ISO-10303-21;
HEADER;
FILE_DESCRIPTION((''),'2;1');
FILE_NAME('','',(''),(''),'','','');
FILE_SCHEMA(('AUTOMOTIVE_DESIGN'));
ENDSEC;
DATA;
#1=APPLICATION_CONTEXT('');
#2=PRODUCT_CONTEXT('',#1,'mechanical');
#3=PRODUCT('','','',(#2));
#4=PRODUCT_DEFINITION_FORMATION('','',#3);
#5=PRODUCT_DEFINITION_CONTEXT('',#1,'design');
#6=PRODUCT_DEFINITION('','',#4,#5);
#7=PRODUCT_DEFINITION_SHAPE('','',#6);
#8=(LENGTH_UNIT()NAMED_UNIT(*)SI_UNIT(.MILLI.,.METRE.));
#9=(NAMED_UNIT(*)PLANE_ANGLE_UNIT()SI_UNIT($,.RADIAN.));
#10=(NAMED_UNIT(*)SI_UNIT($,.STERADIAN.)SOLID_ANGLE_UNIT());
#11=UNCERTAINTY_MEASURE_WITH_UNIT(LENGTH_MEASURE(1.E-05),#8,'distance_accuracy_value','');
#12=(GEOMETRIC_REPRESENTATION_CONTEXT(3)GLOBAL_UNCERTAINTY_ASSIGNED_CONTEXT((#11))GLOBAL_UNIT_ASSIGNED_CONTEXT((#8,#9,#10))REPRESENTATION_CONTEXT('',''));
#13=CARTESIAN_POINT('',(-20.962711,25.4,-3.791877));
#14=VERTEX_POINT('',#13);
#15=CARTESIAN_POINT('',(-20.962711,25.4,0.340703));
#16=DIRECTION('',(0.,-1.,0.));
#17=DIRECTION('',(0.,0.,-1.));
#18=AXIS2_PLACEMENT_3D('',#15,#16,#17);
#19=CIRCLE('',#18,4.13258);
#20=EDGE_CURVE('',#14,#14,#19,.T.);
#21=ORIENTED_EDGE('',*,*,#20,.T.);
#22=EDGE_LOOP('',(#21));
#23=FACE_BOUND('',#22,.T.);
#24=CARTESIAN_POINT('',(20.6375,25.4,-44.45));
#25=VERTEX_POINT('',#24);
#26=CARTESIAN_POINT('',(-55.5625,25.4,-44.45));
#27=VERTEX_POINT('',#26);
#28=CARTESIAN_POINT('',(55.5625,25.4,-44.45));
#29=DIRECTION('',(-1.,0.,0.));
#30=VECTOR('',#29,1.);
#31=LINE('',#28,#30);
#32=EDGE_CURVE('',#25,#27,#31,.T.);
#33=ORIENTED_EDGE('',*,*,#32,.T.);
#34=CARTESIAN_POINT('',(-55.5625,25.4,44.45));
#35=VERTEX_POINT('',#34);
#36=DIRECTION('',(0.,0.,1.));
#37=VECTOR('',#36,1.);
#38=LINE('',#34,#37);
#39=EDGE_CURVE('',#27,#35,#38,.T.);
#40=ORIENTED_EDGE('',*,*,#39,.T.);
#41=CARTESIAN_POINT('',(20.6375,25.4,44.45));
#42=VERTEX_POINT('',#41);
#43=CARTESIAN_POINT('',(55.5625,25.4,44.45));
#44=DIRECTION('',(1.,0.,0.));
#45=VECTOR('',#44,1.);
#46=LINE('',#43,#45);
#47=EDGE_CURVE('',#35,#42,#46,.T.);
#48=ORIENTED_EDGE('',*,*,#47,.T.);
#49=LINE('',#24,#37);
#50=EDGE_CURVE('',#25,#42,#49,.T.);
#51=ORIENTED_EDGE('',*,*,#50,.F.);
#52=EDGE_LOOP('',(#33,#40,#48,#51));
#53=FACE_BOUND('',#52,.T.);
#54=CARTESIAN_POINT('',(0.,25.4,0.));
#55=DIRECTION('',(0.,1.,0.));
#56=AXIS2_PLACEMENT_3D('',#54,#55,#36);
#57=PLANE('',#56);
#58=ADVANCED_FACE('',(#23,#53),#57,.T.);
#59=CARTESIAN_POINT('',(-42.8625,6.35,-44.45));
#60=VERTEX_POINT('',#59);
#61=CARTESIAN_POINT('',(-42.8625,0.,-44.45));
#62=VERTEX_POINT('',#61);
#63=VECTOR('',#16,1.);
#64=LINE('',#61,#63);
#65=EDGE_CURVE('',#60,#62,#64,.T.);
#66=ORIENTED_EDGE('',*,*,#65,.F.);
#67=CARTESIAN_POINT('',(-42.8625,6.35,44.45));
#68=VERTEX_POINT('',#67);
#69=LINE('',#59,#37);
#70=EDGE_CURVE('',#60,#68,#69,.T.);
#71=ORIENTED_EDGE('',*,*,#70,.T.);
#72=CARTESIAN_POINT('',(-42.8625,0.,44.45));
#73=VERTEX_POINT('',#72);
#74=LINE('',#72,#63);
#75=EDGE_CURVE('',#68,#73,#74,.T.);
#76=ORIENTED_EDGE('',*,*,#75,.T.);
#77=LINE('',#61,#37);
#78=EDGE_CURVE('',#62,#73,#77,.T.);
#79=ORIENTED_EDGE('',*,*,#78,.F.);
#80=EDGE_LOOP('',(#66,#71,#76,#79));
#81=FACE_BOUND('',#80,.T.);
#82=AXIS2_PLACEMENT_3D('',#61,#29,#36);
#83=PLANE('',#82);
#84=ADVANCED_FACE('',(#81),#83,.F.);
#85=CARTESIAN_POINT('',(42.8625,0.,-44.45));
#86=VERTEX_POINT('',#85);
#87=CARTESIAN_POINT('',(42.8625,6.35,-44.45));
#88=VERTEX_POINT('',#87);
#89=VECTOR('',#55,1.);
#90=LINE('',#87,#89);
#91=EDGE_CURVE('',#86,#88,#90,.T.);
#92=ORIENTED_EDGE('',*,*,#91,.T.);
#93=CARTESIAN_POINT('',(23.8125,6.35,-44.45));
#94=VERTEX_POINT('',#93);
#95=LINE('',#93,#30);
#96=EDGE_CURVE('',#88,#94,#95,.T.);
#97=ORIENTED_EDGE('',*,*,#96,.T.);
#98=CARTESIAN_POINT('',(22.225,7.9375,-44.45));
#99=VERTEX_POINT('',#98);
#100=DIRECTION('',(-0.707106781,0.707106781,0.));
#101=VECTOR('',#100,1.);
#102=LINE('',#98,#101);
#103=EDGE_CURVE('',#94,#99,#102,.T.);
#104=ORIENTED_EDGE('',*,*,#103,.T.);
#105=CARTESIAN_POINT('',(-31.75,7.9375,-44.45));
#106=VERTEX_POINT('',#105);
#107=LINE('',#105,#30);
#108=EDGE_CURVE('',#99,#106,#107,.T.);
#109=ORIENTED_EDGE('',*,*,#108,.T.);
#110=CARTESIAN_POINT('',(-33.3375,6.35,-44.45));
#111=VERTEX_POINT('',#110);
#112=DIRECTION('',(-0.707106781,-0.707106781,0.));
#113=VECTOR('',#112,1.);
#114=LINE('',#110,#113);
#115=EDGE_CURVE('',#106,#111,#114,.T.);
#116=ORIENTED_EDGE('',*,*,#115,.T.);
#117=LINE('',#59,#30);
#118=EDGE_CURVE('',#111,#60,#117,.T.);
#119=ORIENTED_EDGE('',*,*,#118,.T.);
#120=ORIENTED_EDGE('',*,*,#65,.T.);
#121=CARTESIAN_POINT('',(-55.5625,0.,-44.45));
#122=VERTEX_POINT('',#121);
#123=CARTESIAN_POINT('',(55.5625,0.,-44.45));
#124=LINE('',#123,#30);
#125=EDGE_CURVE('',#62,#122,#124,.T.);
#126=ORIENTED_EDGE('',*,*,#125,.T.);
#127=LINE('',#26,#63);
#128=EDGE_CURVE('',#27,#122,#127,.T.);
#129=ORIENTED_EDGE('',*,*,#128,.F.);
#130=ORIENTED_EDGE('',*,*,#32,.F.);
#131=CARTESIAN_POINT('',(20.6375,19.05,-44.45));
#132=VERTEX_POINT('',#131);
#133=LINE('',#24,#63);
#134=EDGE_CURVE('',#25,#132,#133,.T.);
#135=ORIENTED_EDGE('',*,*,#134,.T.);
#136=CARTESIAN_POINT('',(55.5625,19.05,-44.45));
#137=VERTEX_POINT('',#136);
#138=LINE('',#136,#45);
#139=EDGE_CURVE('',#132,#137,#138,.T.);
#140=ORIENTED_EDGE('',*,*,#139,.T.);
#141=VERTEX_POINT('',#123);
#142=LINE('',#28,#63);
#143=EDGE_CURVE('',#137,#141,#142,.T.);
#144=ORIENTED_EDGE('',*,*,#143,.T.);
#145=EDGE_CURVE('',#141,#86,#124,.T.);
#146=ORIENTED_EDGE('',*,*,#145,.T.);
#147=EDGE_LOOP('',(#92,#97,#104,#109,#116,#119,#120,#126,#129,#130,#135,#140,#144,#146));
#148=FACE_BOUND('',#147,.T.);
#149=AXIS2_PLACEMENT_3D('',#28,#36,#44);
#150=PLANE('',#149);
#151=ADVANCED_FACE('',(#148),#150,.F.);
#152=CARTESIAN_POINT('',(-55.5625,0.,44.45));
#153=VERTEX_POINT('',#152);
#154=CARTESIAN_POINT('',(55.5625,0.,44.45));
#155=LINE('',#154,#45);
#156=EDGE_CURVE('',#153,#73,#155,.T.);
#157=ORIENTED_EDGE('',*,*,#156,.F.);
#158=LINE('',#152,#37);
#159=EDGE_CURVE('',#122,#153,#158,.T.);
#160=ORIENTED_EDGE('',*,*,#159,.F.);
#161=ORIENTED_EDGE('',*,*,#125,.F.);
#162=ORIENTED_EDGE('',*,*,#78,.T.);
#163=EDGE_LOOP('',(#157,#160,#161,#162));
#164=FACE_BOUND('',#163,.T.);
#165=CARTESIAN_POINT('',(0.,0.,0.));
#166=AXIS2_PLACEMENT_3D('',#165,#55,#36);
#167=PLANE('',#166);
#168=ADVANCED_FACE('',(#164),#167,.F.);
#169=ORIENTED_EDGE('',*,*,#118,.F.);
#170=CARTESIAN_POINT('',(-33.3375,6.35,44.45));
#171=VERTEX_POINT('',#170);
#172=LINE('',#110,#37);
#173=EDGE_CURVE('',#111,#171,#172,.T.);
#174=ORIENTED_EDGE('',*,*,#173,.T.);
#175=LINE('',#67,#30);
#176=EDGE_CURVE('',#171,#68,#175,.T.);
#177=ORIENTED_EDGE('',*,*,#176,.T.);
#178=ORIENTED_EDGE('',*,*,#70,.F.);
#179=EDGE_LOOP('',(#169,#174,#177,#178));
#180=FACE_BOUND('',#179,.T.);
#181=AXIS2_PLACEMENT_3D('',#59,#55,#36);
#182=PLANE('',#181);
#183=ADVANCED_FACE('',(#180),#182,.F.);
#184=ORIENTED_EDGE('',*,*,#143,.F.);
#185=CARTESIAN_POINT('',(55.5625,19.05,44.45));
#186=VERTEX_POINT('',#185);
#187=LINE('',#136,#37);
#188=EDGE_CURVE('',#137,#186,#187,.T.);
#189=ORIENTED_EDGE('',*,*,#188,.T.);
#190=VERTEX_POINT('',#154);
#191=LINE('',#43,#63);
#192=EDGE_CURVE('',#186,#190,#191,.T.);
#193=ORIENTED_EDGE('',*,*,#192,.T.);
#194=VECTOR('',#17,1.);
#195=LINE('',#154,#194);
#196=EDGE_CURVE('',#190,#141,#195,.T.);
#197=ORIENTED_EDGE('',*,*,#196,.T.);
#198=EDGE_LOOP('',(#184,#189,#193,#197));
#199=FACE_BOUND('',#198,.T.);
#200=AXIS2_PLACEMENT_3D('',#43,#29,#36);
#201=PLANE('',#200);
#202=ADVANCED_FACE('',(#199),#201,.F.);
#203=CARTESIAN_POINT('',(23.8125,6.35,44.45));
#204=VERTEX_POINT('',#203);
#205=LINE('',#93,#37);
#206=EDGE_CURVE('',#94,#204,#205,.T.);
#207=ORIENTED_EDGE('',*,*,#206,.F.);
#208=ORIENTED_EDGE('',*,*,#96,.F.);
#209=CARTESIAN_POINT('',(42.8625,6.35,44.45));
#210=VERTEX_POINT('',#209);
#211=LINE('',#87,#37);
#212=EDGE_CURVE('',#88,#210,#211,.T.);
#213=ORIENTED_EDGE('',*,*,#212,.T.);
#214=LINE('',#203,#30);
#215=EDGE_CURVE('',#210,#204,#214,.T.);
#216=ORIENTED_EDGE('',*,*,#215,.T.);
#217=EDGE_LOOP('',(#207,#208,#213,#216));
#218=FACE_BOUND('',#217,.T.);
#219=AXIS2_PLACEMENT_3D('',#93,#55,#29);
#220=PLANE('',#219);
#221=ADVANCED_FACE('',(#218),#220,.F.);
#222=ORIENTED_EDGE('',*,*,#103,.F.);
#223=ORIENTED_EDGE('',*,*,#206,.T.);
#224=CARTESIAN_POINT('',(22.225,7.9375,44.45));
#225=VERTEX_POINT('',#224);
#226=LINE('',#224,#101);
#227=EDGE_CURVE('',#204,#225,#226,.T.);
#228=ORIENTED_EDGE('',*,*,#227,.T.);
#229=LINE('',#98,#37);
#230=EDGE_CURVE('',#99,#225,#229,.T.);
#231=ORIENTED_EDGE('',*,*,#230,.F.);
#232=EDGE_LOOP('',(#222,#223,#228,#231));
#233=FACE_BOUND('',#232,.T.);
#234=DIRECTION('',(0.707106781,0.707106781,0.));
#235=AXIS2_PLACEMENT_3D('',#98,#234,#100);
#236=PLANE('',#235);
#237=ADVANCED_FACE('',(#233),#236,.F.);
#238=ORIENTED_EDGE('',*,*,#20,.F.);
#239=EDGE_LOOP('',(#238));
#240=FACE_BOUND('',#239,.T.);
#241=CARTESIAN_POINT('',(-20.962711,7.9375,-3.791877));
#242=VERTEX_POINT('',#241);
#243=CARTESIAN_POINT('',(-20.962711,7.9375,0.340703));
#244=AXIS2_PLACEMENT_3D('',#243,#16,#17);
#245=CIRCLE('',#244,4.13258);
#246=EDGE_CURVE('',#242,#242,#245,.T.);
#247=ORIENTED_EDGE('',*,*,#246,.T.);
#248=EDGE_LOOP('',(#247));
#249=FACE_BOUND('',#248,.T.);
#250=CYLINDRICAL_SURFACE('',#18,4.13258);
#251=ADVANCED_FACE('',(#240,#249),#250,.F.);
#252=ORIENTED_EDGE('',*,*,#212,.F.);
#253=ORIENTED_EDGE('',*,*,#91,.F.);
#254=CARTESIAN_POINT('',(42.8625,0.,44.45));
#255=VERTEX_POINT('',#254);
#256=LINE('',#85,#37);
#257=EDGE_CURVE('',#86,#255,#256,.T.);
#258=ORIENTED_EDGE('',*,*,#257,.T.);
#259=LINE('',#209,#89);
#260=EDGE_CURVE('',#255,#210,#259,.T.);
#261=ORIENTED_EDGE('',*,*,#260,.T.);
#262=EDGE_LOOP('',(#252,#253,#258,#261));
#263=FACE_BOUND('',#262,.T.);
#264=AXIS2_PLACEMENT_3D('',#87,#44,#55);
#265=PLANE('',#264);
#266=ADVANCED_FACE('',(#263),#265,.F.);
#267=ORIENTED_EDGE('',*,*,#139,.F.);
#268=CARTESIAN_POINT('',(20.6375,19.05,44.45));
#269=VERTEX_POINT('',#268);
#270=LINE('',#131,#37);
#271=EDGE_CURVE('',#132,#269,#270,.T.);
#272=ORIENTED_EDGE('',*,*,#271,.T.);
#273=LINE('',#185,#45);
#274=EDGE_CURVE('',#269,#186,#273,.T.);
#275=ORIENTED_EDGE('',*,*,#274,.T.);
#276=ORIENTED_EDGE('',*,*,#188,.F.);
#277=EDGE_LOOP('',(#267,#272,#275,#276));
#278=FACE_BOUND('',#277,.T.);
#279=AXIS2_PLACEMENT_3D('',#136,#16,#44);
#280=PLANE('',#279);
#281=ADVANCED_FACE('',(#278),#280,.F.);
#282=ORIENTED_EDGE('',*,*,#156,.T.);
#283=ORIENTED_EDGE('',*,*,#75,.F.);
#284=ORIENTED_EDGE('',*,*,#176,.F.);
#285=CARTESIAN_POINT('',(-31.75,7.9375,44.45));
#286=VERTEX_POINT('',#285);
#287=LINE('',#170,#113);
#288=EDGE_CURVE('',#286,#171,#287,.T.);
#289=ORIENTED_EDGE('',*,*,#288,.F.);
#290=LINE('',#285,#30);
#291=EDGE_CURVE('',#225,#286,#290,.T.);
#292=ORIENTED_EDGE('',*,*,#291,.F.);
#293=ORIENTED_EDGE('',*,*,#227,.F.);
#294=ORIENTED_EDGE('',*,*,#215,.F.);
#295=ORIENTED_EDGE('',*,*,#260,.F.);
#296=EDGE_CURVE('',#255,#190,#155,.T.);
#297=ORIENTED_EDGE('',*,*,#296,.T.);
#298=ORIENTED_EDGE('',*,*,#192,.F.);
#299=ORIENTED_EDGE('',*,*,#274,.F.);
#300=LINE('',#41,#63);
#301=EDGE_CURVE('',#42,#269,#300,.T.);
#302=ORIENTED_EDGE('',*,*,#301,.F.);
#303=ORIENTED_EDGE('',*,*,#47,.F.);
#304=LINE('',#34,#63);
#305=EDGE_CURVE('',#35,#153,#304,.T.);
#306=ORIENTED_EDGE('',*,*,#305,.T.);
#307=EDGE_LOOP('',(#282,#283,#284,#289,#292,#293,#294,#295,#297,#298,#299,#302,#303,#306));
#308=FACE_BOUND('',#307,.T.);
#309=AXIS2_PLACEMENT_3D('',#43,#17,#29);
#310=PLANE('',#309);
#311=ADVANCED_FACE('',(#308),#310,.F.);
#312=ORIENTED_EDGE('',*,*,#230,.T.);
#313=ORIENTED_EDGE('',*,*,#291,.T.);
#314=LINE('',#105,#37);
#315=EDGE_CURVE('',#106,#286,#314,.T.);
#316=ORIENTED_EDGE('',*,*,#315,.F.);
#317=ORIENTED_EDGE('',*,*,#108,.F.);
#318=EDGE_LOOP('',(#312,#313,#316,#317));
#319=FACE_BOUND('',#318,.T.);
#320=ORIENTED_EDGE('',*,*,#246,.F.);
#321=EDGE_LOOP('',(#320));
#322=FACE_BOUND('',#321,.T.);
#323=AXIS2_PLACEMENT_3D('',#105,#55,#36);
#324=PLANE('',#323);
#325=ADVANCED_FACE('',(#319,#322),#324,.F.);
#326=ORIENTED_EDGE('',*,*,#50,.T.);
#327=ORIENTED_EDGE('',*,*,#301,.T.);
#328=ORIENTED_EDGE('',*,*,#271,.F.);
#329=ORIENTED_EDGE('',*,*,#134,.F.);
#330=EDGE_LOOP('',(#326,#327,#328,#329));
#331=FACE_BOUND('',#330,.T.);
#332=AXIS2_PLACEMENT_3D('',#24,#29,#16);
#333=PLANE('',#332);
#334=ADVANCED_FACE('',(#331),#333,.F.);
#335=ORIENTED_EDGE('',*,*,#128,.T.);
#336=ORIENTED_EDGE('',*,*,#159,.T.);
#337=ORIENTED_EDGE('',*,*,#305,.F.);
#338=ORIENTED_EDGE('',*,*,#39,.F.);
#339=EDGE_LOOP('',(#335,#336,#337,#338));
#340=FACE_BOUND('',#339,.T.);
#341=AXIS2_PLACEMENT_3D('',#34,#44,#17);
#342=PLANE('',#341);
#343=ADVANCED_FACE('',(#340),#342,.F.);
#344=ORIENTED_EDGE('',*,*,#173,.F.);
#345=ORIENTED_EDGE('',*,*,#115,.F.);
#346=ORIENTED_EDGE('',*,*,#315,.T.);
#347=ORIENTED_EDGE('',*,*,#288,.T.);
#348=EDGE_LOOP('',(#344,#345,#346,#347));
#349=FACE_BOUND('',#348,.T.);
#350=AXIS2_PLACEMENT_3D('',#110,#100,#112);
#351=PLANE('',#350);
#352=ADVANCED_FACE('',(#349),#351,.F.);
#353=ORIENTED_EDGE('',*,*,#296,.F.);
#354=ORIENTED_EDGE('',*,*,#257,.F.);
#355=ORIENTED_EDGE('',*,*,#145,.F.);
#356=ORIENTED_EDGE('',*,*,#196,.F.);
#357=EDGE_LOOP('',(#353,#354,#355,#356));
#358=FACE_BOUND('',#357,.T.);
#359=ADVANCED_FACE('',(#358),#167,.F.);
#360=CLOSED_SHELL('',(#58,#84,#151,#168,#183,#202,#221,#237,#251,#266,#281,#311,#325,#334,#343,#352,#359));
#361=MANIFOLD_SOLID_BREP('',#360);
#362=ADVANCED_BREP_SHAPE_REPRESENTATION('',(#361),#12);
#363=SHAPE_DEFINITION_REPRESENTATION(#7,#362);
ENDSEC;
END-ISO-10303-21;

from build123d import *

# Parameters (mm, degrees)
SKETCH1_W           = 111.125
SKETCH1_H           = 88.9
BOSS_EXTRUDE1_DEPTH = 25.4
SKETCH2_W           = 34.925
SKETCH2_H           = 6.35
CUT_EXTRUDE1_DEPTH  = 108.868259494
SKETCH3_R           = 4.13258
CUT_EXTRUDE2_DEPTH  = 74.266177821


with BuildPart() as part:
    # Sketch1 → Boss-Extrude1 (new body)
    with BuildSketch(Plane(origin=(0, 0, 0), x_dir=(1, 0, 0), z_dir=(0, 1, 0))):
        Rectangle(SKETCH1_W, SKETCH1_H)
    extrude(amount=BOSS_EXTRUDE1_DEPTH)

    # Sketch2 → Cut-Extrude1 (cut, through all)
    with BuildSketch(Plane.XY.offset(44.45)):
        Polygon((-42.8625, 0), (-42.8625, 6.35), (-33.3375, 6.35), (-31.75, 7.9375), (22.225, 7.9375), (23.8125, 6.35), (42.8625, 6.35), (42.8625, 0), align=None)
        with Locations((38.1, 22.225)):
            Rectangle(SKETCH2_W, SKETCH2_H)
    extrude(amount=-CUT_EXTRUDE1_DEPTH, mode=Mode.SUBTRACT)

    # Sketch3 → Cut-Extrude2 (cut, through all)
    with BuildSketch(Plane.XZ.offset(-7.9375)):
        with Locations(Location((-20.962711313, 0.34070329, 0), (0, 0, 270))):
            Circle(SKETCH3_R)
    extrude(amount=-CUT_EXTRUDE2_DEPTH, mode=Mode.SUBTRACT)


solid = part.part
